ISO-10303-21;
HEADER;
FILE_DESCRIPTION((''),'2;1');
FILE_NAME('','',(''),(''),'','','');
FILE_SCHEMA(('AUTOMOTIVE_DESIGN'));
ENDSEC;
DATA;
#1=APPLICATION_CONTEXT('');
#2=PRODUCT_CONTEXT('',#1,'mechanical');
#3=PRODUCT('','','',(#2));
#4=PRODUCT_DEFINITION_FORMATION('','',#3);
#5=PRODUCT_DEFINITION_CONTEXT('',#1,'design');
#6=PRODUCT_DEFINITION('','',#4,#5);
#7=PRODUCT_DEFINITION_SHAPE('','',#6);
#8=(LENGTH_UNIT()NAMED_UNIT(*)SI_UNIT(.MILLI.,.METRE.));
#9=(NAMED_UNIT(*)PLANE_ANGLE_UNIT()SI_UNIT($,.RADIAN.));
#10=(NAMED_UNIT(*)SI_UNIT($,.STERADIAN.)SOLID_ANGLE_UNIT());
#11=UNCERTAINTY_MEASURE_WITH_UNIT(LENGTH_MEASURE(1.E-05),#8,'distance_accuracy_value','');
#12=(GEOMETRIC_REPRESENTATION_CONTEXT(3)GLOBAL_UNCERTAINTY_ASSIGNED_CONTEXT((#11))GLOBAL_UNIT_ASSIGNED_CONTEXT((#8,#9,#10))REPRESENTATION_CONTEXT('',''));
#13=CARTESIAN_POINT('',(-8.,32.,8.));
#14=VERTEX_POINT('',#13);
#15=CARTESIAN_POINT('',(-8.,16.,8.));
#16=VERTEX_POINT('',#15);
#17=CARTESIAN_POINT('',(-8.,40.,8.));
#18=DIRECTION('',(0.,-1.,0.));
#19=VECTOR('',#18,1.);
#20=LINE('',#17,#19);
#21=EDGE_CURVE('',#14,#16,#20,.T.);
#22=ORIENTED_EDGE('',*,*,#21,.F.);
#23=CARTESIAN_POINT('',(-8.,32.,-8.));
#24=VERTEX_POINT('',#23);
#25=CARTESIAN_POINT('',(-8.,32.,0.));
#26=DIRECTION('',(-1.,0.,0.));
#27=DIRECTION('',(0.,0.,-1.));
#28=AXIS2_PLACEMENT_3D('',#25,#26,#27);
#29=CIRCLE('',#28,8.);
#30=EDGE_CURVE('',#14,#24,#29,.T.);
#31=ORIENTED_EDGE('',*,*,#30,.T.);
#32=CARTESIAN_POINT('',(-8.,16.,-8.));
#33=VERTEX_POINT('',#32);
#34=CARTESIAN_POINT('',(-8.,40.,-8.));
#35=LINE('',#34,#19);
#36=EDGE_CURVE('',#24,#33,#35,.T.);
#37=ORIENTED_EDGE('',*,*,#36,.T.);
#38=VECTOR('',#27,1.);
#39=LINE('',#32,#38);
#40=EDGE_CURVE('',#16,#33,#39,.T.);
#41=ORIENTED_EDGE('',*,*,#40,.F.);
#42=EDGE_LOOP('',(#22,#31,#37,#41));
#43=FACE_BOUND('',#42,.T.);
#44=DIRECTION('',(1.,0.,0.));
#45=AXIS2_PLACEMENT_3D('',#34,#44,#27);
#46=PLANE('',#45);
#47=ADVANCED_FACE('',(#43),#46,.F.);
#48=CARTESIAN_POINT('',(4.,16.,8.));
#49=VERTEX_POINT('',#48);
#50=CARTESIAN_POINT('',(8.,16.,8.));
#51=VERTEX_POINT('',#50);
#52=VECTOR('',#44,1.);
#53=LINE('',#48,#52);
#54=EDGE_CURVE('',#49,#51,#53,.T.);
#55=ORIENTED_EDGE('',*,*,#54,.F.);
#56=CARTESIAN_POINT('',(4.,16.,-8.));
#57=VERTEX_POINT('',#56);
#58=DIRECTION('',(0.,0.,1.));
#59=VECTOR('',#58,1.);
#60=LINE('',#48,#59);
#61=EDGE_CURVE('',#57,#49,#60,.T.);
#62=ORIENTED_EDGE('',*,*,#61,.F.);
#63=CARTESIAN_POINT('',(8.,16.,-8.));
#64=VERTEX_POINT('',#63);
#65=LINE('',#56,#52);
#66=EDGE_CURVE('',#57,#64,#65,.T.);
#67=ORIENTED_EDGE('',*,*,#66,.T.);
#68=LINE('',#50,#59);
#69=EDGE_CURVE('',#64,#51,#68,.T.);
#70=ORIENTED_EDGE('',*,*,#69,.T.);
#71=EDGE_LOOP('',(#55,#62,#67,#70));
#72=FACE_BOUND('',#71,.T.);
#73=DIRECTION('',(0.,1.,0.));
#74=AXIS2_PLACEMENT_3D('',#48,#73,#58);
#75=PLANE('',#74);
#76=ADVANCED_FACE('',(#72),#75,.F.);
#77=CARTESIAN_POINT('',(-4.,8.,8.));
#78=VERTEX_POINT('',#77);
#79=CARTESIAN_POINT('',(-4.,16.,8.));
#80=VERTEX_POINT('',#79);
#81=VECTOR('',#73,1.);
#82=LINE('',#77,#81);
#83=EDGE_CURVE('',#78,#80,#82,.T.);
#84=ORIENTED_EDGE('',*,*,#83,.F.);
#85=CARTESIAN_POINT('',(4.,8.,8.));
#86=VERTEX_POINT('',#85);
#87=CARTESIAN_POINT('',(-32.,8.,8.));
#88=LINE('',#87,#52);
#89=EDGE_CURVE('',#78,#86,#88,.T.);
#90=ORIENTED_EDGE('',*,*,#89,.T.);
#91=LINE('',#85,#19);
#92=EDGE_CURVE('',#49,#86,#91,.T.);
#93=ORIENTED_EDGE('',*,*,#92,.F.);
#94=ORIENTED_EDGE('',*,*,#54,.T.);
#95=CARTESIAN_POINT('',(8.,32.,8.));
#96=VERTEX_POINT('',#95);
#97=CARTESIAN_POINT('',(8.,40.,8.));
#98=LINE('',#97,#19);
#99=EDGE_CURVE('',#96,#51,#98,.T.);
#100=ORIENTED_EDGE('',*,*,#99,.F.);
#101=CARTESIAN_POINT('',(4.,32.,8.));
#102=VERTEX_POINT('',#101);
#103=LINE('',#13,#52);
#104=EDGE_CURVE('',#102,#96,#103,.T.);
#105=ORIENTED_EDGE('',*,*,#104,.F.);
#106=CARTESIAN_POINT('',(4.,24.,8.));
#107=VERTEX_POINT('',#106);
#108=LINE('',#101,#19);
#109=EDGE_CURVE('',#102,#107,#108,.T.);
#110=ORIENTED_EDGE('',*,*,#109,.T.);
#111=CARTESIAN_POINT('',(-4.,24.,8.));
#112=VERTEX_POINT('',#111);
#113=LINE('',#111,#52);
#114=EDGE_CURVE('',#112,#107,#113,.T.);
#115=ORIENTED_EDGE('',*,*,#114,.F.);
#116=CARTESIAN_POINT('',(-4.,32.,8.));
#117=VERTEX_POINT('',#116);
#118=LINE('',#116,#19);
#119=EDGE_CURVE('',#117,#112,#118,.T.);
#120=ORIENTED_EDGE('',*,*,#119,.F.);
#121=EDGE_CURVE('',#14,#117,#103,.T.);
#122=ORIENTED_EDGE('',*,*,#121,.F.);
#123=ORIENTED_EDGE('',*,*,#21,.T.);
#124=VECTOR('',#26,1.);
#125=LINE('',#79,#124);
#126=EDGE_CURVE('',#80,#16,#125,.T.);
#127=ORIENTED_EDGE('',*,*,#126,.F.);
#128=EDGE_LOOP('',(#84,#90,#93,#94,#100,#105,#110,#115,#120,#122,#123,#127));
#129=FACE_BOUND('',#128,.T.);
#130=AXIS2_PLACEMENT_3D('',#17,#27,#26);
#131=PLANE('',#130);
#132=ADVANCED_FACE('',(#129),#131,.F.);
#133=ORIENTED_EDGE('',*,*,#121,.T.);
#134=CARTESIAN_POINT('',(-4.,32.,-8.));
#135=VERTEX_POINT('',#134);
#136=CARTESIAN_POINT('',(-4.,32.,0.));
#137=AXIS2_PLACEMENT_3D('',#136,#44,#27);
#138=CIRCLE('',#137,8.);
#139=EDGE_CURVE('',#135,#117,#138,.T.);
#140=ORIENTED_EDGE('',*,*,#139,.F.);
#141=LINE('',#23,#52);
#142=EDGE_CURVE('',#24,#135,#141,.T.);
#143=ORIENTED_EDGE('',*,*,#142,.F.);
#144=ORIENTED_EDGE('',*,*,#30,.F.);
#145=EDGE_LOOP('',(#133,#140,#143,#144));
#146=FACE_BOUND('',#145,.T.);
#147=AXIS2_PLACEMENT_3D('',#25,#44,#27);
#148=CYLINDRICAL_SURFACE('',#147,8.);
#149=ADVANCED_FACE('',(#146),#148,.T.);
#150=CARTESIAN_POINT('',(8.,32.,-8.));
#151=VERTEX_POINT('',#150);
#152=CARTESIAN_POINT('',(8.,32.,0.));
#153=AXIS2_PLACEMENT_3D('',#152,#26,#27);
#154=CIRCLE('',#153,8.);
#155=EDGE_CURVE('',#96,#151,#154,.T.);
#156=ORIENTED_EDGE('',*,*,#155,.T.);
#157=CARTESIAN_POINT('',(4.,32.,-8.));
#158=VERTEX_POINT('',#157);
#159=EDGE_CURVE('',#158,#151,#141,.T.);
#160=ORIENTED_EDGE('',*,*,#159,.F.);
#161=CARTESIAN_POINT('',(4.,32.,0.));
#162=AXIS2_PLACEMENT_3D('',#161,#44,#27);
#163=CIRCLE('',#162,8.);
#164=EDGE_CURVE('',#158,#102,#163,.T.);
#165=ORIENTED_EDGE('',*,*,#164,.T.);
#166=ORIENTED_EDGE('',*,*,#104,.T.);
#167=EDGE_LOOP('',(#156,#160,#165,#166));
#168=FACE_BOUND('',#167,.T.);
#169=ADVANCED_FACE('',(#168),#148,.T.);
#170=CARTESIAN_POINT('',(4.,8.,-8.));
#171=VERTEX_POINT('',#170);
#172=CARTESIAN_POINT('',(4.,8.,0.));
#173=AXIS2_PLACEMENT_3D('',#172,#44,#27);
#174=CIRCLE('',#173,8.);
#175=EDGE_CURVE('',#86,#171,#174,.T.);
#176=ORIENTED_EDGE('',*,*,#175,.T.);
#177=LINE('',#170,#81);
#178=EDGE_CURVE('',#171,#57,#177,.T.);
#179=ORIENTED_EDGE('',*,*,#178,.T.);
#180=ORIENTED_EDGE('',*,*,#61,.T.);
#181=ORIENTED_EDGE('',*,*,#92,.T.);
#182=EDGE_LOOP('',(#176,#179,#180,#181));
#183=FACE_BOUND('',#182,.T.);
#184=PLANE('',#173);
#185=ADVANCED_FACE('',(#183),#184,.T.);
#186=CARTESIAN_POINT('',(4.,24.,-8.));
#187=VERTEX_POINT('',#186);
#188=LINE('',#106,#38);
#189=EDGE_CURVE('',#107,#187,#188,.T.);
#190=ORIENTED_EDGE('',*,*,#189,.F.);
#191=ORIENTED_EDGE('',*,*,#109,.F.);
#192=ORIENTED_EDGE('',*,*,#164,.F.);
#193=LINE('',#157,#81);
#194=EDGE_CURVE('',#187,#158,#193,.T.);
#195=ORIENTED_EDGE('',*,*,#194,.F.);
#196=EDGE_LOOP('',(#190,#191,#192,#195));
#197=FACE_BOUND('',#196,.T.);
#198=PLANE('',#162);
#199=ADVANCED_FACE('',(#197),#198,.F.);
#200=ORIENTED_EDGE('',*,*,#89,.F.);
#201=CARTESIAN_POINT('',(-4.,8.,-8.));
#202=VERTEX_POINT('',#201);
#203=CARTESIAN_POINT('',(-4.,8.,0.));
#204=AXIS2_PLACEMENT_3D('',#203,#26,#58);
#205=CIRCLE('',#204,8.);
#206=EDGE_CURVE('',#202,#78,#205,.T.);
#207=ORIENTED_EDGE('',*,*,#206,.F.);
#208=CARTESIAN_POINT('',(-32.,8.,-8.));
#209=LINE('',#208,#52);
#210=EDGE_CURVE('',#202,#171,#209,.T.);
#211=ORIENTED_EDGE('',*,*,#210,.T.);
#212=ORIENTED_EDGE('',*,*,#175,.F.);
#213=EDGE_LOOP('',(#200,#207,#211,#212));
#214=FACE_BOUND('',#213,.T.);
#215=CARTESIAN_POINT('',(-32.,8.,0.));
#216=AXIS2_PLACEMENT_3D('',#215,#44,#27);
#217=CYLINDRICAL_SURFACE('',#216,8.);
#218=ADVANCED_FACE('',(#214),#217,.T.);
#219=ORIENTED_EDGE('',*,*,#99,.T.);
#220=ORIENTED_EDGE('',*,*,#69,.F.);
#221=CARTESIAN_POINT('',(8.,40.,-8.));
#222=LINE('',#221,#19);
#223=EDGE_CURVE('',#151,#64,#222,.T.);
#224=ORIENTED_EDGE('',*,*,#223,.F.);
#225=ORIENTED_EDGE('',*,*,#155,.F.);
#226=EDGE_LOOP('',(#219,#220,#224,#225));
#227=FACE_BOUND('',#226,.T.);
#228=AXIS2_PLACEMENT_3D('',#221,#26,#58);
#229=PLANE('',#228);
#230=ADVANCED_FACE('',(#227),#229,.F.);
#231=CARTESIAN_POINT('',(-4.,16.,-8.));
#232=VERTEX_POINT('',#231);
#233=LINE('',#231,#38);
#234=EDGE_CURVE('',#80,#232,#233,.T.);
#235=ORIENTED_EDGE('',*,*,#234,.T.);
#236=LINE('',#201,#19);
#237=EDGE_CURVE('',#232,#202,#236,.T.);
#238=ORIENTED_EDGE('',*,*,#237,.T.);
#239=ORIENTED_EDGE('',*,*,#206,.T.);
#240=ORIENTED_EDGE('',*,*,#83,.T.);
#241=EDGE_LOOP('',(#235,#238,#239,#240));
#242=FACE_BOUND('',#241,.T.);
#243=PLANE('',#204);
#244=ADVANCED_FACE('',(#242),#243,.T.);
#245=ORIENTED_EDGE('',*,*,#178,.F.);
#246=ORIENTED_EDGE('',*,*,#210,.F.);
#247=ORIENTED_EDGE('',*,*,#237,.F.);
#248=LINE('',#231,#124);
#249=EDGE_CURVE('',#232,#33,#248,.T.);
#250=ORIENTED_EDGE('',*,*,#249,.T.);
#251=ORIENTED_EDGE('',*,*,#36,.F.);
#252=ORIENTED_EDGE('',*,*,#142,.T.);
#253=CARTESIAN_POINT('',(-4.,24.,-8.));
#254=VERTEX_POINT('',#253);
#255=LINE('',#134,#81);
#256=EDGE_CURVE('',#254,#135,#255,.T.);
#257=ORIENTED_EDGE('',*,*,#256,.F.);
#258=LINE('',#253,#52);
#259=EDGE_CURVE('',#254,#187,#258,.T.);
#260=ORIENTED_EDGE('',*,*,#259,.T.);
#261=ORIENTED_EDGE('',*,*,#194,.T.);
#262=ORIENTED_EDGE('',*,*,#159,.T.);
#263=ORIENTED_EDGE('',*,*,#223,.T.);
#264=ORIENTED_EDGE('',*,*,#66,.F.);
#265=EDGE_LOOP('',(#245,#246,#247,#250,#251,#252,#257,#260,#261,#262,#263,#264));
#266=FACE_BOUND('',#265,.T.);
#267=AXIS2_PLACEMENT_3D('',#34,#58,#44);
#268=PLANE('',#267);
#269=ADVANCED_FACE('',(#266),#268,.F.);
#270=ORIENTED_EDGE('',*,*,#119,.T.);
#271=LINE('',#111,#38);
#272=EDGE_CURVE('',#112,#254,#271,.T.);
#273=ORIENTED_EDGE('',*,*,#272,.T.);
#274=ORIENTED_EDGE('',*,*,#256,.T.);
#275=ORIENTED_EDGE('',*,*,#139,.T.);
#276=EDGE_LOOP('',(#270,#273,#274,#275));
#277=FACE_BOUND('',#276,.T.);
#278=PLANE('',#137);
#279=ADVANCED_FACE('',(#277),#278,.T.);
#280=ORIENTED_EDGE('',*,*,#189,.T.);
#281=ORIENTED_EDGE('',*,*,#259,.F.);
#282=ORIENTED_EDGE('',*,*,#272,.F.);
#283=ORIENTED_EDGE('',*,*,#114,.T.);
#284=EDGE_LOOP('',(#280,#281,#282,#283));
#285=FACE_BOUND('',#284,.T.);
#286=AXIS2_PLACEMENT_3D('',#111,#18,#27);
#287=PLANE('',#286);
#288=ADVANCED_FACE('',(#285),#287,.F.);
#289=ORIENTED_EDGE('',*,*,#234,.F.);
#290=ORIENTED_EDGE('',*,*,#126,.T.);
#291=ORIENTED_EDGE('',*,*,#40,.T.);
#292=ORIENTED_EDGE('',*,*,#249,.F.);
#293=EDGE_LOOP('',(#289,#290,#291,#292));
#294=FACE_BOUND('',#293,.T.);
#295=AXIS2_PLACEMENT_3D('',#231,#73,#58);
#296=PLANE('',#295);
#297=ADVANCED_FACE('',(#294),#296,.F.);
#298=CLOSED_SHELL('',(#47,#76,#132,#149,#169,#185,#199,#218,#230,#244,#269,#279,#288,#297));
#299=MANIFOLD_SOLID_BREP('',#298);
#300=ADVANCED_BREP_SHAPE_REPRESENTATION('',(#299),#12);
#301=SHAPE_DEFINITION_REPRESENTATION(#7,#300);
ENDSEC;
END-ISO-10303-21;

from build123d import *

# Parameters (mm, degrees)
SKETCH_1_W          = 16
SKETCH_1_H          = 16
EXTRUDE_1_DEPTH     = 40
CUT_EXTRUDE_1_DEPTH = 40
CUT_EXTRUDE_START   = -4
CUT_EXTRUDE_2_DEPTH = 4
CUT_EXTRUDE_3_DEPTH = 4
CUT_EXTRUDE_7_DEPTH = 44.8178046
CUT_EXTRUDE_8_DEPTH = 4


with BuildPart() as part:
    # 草图1 → 凸台-拉伸1 (new body)
    with BuildSketch(Plane(origin=(0, 0, 0), x_dir=(1, 0, 0), z_dir=(0, 1, 0))):
        Rectangle(SKETCH_1_W, SKETCH_1_H)
    extrude(amount=EXTRUDE_1_DEPTH)

    # 草图2 → 切除-拉伸1 (cut)
    with BuildSketch(Plane(origin=(8, 0, 0), x_dir=(0, 0, -1), z_dir=(1, 0, 0))):
        with BuildLine():
            Line((-8, 8), (-8, -6.748551072))
            Line((-8, -6.748551072), (8, -6.748551072))
            Line((8, -6.748551072), (8, 8))
            ThreePointArc((8, 8), (0, 0), (-8, 8))
        make_face()
    extrude(amount=-CUT_EXTRUDE_1_DEPTH, mode=Mode.SUBTRACT)

    # 草图4 → 切除-拉伸2 (cut)
    with BuildSketch(Plane.ZY.offset(8).offset(CUT_EXTRUDE_START)):
        with BuildLine():
            Line((-8, 8), (-8, 16))
            Line((-8, 16), (8, 16))
            Line((8, 16), (8, 8))
            ThreePointArc((8, 8), (0, 0), (-8, 8))
        make_face()
    extrude(amount=CUT_EXTRUDE_2_DEPTH, mode=Mode.SUBTRACT)

    # 草图5 → 切除-拉伸3 (cut)
    with BuildSketch(Plane(origin=(8, 0, 0), x_dir=(0, 0, -1), z_dir=(1, 0, 0))):
        with BuildLine():
            Line((-8, 8), (-8, 16))
            Line((-8, 16), (8, 16))
            Line((8, 16), (8, 8))
            ThreePointArc((8, 8), (0, 0), (-8, 8))
        make_face()
    extrude(amount=-CUT_EXTRUDE_3_DEPTH, mode=Mode.SUBTRACT)

    # 草图8 → 切除-拉伸7 (cut, through all)
    with BuildSketch(Plane(origin=(8, 0, 0), x_dir=(0, 0, -1), z_dir=(1, 0, 0))):
        with BuildLine():
            Line((-8, 32), (-8, 44.090265963))
            Line((-8, 44.090265963), (8, 44.090265963))
            Line((8, 44.090265963), (8, 32))
            ThreePointArc((8, 32), (0, 40), (-8, 32))
        make_face()
    extrude(amount=-CUT_EXTRUDE_7_DEPTH, mode=Mode.SUBTRACT)

    # 草图7 → 切除-拉伸8 (cut, symmetric)
    with BuildSketch(Plane(origin=(0, 0, 0), x_dir=(0, 0, -1), z_dir=(1, 0, 0))):
        with BuildLine():
            Line((-8, 32), (-8, 24))
            Line((-8, 24), (8, 24))
            Line((8, 24), (8, 32))
            ThreePointArc((8, 32), (0, 40), (-8, 32))
        make_face()
    extrude(amount=CUT_EXTRUDE_8_DEPTH, both=True, mode=Mode.SUBTRACT)


solid = part.part
